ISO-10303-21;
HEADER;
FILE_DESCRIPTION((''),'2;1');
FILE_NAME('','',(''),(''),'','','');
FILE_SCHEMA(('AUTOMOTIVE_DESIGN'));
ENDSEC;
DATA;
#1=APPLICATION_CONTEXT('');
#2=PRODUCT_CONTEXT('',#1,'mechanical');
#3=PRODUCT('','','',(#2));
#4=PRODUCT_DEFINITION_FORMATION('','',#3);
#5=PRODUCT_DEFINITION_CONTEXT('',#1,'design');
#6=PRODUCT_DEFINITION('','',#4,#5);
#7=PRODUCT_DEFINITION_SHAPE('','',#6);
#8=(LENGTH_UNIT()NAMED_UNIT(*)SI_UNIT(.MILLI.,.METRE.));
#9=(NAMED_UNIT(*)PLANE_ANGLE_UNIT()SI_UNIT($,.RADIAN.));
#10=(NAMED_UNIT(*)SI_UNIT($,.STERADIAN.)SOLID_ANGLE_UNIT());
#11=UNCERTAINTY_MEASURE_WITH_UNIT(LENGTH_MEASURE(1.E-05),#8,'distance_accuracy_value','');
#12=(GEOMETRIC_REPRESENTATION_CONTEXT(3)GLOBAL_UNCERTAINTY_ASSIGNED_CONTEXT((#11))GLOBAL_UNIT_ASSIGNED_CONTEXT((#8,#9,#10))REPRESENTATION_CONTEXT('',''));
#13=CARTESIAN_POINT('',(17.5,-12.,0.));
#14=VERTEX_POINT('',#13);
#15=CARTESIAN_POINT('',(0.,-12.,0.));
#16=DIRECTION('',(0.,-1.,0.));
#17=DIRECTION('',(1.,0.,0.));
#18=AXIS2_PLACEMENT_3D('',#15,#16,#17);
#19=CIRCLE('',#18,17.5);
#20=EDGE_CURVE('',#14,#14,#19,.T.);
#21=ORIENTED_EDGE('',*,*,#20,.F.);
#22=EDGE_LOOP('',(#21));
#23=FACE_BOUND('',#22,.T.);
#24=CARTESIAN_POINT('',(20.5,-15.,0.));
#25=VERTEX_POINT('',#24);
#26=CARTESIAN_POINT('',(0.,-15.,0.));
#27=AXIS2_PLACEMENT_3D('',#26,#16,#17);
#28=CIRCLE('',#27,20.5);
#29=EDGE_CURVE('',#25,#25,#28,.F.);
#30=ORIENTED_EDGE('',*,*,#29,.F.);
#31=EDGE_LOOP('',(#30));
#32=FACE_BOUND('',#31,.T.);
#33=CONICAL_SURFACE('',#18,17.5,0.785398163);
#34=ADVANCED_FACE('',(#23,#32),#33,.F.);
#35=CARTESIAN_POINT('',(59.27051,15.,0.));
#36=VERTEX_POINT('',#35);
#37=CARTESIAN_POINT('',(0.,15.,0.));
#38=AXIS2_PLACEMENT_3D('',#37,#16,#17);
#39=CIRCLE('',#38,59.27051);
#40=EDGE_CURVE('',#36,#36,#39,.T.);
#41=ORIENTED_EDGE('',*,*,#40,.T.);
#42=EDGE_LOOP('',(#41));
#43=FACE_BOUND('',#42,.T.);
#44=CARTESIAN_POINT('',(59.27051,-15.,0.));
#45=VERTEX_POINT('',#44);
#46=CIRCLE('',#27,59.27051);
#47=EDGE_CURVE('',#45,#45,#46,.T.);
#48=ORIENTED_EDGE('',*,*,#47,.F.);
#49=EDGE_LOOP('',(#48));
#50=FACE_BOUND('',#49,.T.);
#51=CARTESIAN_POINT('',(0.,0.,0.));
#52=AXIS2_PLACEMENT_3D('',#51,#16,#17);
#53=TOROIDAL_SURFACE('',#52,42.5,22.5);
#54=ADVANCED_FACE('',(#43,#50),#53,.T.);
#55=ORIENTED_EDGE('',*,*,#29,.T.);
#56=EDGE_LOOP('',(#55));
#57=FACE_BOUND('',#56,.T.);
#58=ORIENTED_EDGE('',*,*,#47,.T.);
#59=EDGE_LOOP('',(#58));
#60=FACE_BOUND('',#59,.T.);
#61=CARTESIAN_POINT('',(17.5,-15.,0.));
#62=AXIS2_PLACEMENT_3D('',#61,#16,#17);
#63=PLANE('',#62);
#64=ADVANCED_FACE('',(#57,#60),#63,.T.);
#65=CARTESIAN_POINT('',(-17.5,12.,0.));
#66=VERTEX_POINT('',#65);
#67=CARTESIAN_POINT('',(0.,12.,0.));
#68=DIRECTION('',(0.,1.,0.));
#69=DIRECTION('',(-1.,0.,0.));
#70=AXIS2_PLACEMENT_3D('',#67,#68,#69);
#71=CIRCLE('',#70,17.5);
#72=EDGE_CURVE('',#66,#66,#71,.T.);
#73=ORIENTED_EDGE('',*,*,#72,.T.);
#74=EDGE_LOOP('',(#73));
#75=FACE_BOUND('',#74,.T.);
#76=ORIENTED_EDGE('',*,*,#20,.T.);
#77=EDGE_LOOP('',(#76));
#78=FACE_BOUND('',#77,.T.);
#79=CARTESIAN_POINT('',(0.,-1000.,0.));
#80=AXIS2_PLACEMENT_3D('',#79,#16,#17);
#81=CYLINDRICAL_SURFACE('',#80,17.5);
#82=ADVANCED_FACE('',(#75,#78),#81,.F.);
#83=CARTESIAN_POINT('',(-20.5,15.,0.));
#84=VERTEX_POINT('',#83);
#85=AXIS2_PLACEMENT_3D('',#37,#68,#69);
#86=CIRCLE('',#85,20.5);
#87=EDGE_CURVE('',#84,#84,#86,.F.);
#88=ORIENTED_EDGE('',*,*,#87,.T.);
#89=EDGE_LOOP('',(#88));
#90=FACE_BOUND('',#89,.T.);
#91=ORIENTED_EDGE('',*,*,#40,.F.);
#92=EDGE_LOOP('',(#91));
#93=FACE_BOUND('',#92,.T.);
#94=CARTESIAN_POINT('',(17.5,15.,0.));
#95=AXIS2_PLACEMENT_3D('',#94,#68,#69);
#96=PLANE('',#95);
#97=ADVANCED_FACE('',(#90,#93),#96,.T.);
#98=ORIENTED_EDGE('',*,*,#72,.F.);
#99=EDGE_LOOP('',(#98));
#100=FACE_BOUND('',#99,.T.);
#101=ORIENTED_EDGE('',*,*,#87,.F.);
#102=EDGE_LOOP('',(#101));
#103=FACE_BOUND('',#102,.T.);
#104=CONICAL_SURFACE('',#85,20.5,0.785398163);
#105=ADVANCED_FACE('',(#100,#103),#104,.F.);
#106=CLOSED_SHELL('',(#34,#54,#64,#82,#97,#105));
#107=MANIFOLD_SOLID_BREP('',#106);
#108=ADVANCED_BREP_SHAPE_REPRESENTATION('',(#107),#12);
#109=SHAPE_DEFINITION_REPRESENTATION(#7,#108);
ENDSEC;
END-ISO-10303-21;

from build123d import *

# Parameters (mm, degrees)
CHAMFER1_SIZE = 3


with BuildPart() as part:
    # Sketch1 → Revolve1 (revolve)
    with BuildSketch(Plane.XY):
        with BuildLine():
            Line((17.5, 15), (59.270509831, 15))
            ThreePointArc((59.270509831, 15), (65, 0), (59.270509831, -15))
            Line((59.270509831, -15), (17.5, -15))
            Line((17.5, -15), (17.5, 15))
        make_face()
    revolve(axis=Axis((0, -1000, 0), (0, 1, 0)))

    # Chamfer1
    chamfer1_edges = [part.edges().sort_by_distance(p)[0] for p in [
        (-17.5, 15, 0),
        (-17.5, -15, 0),
    ]]
    chamfer(chamfer1_edges, length=CHAMFER1_SIZE)


solid = part.part
